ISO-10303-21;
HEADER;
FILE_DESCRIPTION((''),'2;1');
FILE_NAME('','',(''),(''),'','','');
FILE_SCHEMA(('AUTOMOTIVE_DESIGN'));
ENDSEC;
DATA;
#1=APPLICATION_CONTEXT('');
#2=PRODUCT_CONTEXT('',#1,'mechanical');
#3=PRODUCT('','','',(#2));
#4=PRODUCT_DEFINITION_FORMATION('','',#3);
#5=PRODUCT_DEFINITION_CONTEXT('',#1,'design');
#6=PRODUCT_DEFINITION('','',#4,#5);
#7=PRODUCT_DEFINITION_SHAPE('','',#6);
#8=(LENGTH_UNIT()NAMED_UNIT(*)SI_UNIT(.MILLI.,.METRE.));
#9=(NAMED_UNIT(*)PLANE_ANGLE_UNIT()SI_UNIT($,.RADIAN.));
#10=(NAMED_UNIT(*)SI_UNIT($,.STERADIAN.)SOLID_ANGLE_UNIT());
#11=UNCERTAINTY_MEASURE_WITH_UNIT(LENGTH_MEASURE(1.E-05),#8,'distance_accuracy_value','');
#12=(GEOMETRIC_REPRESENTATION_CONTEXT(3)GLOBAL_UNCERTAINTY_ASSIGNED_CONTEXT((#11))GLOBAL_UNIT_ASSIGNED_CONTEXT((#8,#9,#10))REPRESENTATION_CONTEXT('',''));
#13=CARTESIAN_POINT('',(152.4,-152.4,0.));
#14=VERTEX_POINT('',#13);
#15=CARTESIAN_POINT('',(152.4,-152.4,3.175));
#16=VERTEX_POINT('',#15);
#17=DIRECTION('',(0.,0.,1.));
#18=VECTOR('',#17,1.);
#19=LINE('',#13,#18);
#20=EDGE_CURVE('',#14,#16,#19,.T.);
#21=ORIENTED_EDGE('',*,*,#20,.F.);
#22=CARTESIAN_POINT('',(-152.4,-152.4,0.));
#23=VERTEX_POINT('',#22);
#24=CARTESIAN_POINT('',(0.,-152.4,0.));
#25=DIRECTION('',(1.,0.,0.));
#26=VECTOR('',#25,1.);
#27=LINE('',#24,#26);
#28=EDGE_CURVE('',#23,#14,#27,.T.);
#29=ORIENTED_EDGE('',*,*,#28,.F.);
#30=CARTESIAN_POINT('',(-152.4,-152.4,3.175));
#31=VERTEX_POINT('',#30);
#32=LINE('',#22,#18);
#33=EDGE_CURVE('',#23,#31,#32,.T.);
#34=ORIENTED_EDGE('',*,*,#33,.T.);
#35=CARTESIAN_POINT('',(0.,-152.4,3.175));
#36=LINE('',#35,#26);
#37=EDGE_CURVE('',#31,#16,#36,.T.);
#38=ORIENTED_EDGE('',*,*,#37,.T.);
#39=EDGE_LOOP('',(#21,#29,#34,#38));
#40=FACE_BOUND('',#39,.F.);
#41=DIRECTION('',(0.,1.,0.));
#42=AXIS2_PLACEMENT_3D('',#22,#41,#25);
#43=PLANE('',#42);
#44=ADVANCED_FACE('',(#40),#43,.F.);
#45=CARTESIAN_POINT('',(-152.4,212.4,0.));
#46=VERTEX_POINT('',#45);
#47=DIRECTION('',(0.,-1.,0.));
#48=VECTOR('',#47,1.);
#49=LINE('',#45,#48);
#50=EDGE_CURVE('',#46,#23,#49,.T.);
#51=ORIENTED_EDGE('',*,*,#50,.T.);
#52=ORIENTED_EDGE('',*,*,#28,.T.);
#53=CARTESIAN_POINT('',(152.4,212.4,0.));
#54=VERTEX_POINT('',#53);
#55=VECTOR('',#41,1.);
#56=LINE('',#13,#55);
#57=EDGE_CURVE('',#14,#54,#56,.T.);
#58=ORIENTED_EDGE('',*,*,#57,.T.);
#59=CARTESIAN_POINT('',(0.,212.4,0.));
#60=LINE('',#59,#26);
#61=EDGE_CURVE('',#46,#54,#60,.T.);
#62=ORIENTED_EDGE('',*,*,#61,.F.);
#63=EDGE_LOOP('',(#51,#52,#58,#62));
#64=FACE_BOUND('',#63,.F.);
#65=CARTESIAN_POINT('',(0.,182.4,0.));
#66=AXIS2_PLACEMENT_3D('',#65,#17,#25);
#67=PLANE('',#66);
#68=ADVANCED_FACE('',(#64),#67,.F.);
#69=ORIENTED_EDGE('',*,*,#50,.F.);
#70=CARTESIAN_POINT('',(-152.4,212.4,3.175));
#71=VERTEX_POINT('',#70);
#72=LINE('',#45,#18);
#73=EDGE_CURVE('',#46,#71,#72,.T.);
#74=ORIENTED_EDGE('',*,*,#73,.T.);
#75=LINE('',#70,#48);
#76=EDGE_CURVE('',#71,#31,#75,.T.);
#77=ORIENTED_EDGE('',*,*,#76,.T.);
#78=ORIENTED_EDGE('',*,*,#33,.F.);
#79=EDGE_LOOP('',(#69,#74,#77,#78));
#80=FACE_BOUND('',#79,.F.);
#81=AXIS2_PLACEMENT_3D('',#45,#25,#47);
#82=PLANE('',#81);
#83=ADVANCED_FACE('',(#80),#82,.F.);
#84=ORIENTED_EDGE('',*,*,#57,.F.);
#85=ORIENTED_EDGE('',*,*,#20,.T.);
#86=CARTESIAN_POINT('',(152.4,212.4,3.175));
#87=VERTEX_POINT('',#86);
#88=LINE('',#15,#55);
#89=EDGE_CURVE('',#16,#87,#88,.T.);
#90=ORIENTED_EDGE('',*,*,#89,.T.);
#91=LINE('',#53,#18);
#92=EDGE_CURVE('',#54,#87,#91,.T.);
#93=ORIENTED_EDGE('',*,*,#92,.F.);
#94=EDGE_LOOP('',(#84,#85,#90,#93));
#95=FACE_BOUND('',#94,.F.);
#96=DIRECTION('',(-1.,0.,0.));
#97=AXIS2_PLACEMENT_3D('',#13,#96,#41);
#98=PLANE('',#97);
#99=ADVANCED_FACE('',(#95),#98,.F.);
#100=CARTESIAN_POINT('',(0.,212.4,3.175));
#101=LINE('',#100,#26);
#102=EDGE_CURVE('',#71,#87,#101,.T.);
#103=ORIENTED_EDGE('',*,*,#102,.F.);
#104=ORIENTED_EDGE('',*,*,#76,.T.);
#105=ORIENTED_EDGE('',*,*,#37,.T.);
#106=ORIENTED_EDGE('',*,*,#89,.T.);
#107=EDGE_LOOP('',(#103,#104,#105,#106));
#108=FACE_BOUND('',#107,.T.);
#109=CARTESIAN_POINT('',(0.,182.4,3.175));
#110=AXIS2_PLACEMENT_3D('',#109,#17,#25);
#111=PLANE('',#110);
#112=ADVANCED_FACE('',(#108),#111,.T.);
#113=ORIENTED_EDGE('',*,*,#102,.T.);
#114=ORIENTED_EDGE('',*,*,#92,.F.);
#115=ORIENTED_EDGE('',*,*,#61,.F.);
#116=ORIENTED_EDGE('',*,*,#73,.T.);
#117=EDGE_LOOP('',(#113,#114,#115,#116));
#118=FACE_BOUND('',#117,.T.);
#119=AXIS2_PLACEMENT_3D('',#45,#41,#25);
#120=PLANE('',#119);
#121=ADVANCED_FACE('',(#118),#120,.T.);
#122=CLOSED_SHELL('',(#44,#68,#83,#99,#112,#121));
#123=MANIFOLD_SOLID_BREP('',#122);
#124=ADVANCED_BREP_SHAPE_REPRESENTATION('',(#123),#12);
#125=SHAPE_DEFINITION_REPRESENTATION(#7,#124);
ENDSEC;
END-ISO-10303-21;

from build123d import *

# Parameters (mm, degrees)
F0_W     = 304.8
F0_H     = 60
F0_H_2   = 304.8
F1_DEPTH = 3.175


with BuildPart() as f1:
    # F0 (on Top) → F1 (new body)
    with BuildSketch(Plane.XY):
        with Locations((0, 182.4)):
            Rectangle(F0_W, F0_H)
        Rectangle(F0_W, F0_H_2)
    extrude(amount=F1_DEPTH)


solid = f1.part
